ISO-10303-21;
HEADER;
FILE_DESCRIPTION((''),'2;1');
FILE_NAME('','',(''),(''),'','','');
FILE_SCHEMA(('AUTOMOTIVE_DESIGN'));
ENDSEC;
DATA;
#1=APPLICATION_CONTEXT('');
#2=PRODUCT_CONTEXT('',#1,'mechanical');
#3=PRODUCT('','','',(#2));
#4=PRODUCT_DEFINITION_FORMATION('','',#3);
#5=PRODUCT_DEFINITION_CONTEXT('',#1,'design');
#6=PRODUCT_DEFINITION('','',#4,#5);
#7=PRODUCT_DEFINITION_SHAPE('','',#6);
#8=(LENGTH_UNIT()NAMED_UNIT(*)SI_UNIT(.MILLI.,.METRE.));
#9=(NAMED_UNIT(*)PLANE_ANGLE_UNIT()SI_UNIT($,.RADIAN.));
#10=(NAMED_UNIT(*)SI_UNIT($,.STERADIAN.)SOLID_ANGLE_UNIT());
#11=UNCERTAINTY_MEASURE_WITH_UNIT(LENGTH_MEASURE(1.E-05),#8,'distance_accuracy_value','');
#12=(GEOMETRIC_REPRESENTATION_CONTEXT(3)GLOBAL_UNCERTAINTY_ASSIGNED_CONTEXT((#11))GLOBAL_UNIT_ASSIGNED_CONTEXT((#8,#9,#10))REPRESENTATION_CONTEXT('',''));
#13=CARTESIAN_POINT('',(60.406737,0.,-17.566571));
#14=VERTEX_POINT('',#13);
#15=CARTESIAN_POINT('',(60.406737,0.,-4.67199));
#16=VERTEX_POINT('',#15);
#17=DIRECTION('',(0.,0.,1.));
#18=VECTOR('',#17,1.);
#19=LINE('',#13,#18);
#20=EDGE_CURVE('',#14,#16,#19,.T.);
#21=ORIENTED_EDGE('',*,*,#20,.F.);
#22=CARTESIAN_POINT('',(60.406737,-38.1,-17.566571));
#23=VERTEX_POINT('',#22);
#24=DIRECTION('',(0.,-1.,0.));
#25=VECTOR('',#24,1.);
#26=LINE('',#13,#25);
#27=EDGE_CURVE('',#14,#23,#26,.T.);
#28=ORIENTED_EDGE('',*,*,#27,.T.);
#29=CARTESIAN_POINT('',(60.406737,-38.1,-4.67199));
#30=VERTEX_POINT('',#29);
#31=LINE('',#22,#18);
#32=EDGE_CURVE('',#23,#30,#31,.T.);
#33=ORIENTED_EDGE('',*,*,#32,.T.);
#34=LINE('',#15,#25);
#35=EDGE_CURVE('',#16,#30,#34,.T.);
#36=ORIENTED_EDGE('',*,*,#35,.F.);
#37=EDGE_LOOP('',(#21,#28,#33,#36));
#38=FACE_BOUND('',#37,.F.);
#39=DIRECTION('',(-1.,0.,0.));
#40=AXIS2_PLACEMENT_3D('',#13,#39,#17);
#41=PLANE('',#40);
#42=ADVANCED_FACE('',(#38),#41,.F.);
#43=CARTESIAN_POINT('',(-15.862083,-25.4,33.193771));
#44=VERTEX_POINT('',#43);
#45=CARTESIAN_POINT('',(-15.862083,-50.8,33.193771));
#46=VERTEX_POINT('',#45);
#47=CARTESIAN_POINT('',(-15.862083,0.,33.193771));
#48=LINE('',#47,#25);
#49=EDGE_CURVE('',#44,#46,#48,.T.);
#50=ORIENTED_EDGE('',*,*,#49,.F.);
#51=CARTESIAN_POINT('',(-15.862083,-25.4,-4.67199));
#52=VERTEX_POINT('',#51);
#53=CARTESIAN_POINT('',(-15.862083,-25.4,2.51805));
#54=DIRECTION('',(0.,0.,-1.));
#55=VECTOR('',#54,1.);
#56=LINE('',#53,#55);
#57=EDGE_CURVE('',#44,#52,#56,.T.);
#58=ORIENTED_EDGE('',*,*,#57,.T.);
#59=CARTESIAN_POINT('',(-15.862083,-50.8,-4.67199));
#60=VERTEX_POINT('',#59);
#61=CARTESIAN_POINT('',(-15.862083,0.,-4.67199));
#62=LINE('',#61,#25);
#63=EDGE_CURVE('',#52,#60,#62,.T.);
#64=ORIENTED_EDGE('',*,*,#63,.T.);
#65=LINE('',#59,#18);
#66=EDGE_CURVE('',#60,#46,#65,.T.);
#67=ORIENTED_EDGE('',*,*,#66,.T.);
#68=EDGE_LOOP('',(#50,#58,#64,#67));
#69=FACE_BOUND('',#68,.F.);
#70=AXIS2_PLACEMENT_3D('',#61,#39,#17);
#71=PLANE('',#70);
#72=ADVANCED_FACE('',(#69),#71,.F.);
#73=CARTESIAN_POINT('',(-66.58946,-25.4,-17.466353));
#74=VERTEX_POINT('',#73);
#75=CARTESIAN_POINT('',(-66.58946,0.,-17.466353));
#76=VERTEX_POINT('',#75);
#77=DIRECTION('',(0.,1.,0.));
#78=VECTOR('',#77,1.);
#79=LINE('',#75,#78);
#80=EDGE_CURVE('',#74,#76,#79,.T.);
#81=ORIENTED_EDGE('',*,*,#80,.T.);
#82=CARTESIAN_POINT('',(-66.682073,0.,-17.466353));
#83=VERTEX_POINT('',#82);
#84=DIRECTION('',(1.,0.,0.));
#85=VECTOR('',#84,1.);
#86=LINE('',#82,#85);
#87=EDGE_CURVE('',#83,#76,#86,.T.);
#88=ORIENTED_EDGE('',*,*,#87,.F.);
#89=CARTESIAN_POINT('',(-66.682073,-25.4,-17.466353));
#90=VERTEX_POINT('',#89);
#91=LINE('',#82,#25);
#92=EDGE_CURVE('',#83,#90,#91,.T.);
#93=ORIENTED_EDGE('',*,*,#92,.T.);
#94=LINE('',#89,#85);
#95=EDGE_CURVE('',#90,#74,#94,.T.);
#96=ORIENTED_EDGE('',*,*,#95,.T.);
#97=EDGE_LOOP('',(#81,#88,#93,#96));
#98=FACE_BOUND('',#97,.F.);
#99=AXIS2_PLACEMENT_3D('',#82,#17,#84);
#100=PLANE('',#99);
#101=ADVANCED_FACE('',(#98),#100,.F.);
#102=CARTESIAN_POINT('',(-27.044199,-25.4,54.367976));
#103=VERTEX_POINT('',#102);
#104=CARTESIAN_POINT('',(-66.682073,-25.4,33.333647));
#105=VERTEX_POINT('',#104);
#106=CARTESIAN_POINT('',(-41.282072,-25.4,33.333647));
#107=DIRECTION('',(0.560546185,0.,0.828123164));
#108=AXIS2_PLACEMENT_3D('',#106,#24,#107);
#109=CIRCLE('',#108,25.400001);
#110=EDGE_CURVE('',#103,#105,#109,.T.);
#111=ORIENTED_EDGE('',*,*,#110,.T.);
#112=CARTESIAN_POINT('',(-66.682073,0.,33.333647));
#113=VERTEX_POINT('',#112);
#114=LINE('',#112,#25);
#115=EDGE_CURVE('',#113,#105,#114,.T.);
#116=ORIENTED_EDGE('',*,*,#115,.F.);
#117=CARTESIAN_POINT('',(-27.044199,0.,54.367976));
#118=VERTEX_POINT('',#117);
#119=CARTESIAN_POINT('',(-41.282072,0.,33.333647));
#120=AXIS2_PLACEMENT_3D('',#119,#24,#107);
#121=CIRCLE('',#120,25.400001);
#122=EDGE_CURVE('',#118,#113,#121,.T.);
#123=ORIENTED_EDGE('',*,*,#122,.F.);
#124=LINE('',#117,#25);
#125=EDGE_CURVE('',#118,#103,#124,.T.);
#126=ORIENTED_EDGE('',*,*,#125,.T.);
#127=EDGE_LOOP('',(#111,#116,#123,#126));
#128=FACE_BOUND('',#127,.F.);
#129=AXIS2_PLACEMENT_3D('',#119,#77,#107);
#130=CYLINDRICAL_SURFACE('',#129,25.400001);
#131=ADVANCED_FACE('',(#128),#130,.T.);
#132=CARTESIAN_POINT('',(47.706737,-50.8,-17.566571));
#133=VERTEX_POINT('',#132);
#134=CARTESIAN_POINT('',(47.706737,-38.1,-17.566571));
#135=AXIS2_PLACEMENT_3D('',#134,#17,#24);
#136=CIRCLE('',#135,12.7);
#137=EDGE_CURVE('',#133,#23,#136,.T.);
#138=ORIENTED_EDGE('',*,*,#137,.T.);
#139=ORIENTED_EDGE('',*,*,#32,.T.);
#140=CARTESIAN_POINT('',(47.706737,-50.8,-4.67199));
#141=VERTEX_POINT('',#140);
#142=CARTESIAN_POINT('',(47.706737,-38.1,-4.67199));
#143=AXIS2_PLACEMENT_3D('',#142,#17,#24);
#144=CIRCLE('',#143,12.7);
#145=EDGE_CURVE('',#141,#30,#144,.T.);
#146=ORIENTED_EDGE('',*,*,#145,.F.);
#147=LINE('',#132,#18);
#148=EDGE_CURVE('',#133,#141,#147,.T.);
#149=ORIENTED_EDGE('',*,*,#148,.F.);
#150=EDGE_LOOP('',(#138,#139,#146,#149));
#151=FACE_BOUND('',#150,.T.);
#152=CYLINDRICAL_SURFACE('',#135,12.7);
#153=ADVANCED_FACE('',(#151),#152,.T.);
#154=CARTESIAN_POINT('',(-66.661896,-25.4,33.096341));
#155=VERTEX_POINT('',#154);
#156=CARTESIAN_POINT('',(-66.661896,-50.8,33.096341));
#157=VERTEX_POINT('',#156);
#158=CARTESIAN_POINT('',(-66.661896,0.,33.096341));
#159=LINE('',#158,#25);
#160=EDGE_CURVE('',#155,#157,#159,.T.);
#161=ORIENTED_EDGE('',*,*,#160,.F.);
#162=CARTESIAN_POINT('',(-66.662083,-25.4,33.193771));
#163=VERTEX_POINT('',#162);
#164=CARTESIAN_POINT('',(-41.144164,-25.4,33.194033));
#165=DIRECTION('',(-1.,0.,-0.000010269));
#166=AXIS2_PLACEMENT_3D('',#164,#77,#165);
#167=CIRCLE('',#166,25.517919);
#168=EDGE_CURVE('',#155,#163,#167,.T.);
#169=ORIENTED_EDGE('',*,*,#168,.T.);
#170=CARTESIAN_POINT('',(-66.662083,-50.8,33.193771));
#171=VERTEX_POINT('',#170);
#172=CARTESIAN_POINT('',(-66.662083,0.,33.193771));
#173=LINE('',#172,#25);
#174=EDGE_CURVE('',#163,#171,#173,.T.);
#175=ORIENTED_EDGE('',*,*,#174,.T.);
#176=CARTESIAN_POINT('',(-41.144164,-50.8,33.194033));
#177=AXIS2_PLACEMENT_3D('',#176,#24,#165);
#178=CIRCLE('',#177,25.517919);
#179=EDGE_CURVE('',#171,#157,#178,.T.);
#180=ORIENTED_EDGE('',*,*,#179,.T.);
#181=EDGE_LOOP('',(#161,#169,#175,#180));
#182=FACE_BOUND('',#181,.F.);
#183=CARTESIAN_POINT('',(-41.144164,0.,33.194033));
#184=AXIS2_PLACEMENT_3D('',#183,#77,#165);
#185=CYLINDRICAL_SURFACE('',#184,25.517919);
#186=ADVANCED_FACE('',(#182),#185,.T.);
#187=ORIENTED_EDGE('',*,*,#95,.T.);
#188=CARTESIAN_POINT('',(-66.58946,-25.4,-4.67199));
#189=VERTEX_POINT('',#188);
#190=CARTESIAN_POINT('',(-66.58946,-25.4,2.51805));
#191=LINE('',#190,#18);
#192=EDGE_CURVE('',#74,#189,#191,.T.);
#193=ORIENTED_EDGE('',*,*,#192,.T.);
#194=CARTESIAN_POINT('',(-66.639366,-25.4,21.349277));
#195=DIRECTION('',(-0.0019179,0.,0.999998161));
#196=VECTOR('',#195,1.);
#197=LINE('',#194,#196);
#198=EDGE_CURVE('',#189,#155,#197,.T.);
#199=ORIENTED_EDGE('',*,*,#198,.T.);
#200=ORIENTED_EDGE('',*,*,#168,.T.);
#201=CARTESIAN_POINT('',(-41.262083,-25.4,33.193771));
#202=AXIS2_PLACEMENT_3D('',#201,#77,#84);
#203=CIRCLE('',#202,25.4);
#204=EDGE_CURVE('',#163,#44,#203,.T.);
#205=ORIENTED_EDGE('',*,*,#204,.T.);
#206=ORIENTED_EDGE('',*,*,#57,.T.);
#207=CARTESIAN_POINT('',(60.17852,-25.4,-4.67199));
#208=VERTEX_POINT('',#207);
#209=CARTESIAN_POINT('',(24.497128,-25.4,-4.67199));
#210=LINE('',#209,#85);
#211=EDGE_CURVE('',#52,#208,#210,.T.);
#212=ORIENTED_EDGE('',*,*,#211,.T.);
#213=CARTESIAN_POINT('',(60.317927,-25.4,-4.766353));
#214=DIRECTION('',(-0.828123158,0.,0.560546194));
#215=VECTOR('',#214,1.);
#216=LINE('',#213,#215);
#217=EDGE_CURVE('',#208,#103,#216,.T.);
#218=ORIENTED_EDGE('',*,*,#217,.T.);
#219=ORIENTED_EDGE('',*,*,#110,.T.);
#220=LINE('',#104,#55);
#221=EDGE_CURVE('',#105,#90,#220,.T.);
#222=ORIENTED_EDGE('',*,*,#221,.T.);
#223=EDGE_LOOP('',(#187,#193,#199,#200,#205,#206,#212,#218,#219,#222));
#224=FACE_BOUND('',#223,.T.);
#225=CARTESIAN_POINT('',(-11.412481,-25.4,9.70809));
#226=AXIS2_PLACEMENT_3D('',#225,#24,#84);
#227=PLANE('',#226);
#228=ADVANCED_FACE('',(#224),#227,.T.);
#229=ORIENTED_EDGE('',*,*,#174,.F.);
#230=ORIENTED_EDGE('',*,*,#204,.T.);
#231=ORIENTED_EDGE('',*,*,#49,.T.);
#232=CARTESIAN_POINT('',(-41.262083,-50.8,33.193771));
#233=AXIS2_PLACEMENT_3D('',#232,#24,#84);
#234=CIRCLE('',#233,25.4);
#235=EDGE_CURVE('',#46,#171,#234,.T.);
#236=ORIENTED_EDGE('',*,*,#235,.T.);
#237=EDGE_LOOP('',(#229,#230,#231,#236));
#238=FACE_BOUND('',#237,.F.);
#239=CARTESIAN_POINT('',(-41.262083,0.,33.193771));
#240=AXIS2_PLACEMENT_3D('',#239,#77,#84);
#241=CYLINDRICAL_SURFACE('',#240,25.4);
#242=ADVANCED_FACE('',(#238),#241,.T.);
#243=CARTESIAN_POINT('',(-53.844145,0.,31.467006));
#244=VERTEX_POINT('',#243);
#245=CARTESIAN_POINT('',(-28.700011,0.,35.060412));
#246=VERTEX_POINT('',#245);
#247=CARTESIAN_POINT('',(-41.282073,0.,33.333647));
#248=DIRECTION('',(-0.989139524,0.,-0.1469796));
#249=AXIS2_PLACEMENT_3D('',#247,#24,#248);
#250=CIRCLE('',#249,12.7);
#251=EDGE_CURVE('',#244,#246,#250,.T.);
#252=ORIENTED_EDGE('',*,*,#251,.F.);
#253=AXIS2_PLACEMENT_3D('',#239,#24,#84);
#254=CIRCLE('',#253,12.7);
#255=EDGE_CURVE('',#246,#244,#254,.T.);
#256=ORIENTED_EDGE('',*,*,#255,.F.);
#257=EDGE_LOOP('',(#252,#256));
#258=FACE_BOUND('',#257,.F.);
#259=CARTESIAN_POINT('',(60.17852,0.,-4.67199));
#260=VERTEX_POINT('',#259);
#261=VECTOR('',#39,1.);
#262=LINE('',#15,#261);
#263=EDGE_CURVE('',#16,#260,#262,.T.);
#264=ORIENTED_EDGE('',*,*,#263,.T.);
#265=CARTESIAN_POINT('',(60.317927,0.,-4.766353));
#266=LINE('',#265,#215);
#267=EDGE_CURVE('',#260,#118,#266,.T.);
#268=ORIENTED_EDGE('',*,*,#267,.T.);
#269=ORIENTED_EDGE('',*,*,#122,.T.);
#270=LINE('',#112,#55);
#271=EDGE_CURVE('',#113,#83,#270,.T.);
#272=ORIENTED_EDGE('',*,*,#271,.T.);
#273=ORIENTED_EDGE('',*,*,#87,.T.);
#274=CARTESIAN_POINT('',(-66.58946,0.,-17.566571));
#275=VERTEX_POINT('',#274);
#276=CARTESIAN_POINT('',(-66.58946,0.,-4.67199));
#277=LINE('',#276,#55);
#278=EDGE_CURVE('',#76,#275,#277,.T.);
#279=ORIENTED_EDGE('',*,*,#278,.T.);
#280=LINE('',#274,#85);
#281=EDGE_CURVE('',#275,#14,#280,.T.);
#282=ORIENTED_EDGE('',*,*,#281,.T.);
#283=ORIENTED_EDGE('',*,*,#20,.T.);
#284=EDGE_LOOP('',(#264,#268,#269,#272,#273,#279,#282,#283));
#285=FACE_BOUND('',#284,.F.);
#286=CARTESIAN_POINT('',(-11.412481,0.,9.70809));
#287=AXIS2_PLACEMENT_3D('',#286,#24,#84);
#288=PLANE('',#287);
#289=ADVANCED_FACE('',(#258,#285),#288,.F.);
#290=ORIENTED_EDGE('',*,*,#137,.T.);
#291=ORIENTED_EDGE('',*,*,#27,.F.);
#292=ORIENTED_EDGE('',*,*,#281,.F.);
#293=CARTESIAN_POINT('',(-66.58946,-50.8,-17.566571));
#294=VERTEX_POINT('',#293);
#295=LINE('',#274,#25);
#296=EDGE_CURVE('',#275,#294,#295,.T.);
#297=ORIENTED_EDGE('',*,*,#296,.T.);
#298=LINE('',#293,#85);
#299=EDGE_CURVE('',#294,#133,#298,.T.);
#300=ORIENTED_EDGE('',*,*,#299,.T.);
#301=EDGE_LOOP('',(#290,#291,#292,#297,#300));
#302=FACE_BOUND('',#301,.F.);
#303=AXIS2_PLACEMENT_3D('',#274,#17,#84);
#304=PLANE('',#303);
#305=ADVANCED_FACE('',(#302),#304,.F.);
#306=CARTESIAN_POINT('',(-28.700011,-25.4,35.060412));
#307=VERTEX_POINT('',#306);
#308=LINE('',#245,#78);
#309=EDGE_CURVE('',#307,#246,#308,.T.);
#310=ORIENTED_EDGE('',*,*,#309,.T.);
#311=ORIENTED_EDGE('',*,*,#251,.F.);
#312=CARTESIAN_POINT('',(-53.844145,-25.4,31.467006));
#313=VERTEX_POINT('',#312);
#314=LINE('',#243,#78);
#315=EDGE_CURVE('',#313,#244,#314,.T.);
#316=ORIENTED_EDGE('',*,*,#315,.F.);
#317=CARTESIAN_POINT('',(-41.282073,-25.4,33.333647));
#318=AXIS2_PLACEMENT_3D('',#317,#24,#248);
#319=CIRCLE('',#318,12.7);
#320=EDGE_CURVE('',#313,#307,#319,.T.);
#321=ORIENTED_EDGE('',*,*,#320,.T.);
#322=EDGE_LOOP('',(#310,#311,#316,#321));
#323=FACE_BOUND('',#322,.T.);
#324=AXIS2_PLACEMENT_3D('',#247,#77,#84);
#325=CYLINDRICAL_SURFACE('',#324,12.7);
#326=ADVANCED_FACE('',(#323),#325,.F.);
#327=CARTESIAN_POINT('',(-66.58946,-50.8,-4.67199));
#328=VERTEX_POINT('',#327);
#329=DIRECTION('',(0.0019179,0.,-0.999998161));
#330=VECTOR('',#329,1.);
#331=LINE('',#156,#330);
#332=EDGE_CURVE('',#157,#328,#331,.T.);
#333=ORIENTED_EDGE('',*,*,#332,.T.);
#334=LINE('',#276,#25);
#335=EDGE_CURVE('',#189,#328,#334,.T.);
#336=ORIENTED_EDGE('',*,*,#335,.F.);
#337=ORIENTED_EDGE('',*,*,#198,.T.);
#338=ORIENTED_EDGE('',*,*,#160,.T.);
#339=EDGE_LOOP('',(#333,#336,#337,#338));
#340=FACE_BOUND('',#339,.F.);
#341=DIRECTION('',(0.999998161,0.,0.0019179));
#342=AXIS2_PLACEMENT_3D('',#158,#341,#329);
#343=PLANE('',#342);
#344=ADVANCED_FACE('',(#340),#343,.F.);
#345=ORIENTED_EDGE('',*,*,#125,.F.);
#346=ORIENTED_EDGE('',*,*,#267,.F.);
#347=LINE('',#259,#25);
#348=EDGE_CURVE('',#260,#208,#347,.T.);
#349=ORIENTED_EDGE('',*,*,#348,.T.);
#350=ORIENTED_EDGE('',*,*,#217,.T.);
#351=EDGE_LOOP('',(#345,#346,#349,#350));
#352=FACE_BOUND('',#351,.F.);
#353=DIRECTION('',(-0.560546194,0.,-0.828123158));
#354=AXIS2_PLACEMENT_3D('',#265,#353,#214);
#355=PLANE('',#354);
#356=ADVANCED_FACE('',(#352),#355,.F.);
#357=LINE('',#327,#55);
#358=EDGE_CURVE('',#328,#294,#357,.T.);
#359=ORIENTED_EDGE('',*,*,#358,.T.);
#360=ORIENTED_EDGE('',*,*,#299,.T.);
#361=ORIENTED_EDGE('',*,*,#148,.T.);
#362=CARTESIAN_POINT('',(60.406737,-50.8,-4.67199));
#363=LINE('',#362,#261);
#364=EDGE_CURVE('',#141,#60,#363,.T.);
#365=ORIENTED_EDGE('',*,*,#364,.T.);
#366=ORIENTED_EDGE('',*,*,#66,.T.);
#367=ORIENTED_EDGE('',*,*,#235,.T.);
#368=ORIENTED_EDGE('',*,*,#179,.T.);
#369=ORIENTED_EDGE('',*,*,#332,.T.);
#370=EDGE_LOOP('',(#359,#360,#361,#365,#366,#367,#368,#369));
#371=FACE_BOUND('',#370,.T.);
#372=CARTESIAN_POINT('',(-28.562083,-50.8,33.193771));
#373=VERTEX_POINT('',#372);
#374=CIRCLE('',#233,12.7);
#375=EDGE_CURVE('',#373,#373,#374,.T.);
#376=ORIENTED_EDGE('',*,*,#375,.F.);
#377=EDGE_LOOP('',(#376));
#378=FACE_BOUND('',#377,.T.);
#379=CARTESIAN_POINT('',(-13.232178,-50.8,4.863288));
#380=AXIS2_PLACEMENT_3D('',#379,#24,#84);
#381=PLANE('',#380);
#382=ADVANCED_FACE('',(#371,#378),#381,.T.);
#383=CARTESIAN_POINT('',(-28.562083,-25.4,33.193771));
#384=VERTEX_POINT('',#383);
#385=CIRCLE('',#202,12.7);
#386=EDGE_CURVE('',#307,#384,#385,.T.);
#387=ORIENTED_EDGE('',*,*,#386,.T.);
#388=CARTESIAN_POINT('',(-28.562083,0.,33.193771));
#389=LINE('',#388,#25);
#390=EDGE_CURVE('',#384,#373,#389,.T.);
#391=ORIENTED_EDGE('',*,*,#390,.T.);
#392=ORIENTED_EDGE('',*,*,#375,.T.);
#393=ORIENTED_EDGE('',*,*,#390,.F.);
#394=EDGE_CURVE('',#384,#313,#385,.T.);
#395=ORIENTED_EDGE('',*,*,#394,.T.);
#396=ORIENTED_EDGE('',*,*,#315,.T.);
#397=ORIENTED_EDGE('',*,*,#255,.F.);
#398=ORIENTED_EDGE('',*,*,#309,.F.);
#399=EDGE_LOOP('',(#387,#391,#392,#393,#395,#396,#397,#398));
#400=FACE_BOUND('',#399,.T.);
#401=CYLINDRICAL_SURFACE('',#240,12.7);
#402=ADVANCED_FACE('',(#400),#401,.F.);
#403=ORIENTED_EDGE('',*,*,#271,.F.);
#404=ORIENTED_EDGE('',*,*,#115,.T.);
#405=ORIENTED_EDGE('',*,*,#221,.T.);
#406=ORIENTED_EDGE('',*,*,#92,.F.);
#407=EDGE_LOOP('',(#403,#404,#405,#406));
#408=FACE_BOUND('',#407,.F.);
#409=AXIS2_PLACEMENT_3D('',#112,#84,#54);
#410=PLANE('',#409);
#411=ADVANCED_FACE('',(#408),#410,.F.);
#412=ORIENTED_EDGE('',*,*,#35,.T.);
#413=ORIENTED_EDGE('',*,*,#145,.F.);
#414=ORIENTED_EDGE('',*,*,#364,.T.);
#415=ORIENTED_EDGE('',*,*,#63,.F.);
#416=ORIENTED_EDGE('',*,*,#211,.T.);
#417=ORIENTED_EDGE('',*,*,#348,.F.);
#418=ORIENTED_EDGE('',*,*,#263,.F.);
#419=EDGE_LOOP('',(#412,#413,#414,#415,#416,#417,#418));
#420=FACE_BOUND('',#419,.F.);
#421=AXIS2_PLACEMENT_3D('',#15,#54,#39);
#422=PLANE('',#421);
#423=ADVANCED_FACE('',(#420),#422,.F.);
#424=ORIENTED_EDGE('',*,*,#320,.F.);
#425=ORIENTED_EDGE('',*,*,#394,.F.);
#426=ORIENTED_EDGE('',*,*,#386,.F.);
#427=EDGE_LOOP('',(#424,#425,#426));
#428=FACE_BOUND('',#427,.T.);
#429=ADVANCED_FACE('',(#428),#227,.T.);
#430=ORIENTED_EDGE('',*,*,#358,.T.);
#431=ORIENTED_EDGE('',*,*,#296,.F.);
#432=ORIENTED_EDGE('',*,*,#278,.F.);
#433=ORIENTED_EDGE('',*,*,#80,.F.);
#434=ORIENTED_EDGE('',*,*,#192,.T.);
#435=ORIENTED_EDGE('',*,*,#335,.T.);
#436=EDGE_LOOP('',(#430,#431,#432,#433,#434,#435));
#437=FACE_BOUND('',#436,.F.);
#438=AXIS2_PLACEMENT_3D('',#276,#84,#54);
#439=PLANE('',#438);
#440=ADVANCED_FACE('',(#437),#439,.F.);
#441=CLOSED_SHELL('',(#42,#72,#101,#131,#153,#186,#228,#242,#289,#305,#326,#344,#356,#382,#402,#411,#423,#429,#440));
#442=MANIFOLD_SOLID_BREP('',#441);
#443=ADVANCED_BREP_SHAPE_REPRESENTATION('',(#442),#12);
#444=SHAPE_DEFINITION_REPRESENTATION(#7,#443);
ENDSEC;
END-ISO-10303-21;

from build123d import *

# Parameters (mm, degrees)
F0_R     = 12.7
F1_DEPTH = 25.4
F2_R     = 12.7
F3_DEPTH = 50.8
F4_R     = 12.7


with BuildPart() as f1:
    # F0 (on Front) → F1 (new body)
    with BuildSketch(Plane.XZ):
        with BuildLine():
            Line((60.317927, -4.766353), (-27.044199, 54.367976))
            ThreePointArc((-27.044199, 54.367976), (-53.188332, 55.770247), (-66.682073, 33.333647))
            Line((-66.682073, 33.333647), (-66.682073, -17.466353))
            Line((-66.682073, -17.466353), (60.317927, -17.466353))
            Line((60.317927, -17.466353), (60.317927, -4.766353))
        make_face()
        with Locations((-41.282073, 33.333647)):
            Circle(F0_R, mode=Mode.SUBTRACT)
    extrude(amount=F1_DEPTH)

    # F2 (on Front) → F3 (join)
    with BuildSketch(Plane.XZ):
        with BuildLine():
            Line((-15.862083, -4.67199), (-15.862083, 33.193771))
            ThreePointArc((-15.862083, 33.193771), (-41.262083, 58.593771), (-66.662083, 33.193771))
            ThreePointArc((-66.662083, 33.193771), (-66.662036, 33.145056), (-66.661896, 33.096341))
            Line((-66.661896, 33.096341), (-66.58946, -4.67199))
            Line((-66.58946, -4.67199), (-66.58946, -17.566571))
            Line((-66.58946, -17.566571), (60.406737, -17.566571))
            Line((60.406737, -17.566571), (60.406737, -4.67199))
            Line((60.406737, -4.67199), (-15.862083, -4.67199))
        make_face()
        with Locations((-41.262083, 33.193771)):
            Circle(F2_R, mode=Mode.SUBTRACT)
    extrude(amount=F3_DEPTH)

    # F4
    f4_edges = [f1.edges().sort_by_distance(p)[0] for p in [
        (60.406737, -50.8, -11.11928),
    ]]
    fillet(f4_edges, radius=F4_R)


solid = f1.part
